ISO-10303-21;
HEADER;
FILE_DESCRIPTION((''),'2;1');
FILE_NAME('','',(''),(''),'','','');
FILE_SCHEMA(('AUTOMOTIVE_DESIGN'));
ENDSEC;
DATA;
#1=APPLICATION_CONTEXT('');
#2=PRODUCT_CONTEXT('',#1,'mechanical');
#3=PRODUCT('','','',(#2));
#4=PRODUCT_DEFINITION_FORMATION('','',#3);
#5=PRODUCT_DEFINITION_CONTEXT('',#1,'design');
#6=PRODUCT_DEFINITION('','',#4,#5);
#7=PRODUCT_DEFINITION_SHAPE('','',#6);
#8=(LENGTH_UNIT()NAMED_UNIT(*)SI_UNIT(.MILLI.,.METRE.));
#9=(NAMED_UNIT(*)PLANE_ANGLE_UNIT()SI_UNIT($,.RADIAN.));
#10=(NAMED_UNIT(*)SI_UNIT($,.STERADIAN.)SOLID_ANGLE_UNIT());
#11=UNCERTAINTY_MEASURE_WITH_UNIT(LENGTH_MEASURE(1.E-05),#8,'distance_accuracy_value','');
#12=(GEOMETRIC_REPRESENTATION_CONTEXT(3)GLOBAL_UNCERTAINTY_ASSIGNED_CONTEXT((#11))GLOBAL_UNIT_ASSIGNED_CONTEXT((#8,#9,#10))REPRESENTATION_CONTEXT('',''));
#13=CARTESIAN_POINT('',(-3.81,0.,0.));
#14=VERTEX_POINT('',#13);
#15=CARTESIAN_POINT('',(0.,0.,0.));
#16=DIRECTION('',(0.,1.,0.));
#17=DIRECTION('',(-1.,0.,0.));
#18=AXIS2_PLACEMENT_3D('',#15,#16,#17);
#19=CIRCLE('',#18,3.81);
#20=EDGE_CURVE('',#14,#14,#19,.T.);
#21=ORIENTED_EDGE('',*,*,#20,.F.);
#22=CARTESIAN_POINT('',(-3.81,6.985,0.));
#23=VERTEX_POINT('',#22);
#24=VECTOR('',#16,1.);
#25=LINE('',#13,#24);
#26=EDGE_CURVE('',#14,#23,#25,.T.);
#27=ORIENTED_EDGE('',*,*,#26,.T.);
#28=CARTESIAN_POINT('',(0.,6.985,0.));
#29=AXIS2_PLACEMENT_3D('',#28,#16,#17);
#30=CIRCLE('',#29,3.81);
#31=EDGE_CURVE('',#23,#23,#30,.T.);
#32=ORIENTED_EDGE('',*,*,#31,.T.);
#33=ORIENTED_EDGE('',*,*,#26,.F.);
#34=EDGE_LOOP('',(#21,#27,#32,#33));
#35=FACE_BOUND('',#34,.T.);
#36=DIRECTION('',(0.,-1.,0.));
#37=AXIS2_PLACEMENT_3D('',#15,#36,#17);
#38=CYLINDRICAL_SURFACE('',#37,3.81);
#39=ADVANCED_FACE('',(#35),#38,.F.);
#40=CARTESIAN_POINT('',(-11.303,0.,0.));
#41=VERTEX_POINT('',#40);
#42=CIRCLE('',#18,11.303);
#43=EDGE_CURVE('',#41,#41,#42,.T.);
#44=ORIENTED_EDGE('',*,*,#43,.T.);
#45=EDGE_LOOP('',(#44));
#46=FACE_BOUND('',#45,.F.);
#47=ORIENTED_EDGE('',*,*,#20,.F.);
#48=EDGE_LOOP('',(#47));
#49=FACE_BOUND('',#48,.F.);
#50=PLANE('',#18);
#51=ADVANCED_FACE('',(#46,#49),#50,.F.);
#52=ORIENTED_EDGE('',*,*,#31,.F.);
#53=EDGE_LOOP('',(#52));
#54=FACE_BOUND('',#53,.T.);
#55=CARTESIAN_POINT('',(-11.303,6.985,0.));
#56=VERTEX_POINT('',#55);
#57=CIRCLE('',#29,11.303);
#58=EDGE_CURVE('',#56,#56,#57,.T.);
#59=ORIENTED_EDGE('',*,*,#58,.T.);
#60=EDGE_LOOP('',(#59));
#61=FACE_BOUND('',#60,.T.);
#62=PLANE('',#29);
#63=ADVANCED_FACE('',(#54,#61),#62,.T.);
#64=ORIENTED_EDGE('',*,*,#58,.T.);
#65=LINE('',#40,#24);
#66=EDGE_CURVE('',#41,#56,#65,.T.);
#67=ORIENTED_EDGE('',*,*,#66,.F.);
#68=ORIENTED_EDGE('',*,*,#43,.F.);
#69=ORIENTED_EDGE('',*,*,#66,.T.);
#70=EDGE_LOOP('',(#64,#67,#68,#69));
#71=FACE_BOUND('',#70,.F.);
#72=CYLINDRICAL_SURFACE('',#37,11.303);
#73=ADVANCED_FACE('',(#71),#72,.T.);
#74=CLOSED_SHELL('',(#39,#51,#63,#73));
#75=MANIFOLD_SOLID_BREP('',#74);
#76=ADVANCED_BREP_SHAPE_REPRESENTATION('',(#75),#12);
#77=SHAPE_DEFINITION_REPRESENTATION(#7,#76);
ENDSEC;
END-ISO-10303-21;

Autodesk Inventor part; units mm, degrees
ref_plane "YZ Plane" through (0, 0, 0) normal (1, 0, 0) x (0, 1, 0)
ref_plane "XZ Plane" through (0, 0, 0) normal (0, 1, 0) x (-1, 0, 0)
ref_plane "XY Plane" through (0, 0, 0) normal (0, 0, 1) x (1, 0, 0)
sketch "Sketch1" plane through (0, 0, 0) normal (0, 1, 0) x (-1, 0, 0)
  circle A0 centre (0, 0) radius 11.303
  circle A1 centre (0, 0) radius 3.81
  dimension "d0" = 22.606
  dimension "d1" = 7.62
extrude "Extrusion1" add sketch "Sketch1" along normal blind 6.985
properties part number "small bearing"
